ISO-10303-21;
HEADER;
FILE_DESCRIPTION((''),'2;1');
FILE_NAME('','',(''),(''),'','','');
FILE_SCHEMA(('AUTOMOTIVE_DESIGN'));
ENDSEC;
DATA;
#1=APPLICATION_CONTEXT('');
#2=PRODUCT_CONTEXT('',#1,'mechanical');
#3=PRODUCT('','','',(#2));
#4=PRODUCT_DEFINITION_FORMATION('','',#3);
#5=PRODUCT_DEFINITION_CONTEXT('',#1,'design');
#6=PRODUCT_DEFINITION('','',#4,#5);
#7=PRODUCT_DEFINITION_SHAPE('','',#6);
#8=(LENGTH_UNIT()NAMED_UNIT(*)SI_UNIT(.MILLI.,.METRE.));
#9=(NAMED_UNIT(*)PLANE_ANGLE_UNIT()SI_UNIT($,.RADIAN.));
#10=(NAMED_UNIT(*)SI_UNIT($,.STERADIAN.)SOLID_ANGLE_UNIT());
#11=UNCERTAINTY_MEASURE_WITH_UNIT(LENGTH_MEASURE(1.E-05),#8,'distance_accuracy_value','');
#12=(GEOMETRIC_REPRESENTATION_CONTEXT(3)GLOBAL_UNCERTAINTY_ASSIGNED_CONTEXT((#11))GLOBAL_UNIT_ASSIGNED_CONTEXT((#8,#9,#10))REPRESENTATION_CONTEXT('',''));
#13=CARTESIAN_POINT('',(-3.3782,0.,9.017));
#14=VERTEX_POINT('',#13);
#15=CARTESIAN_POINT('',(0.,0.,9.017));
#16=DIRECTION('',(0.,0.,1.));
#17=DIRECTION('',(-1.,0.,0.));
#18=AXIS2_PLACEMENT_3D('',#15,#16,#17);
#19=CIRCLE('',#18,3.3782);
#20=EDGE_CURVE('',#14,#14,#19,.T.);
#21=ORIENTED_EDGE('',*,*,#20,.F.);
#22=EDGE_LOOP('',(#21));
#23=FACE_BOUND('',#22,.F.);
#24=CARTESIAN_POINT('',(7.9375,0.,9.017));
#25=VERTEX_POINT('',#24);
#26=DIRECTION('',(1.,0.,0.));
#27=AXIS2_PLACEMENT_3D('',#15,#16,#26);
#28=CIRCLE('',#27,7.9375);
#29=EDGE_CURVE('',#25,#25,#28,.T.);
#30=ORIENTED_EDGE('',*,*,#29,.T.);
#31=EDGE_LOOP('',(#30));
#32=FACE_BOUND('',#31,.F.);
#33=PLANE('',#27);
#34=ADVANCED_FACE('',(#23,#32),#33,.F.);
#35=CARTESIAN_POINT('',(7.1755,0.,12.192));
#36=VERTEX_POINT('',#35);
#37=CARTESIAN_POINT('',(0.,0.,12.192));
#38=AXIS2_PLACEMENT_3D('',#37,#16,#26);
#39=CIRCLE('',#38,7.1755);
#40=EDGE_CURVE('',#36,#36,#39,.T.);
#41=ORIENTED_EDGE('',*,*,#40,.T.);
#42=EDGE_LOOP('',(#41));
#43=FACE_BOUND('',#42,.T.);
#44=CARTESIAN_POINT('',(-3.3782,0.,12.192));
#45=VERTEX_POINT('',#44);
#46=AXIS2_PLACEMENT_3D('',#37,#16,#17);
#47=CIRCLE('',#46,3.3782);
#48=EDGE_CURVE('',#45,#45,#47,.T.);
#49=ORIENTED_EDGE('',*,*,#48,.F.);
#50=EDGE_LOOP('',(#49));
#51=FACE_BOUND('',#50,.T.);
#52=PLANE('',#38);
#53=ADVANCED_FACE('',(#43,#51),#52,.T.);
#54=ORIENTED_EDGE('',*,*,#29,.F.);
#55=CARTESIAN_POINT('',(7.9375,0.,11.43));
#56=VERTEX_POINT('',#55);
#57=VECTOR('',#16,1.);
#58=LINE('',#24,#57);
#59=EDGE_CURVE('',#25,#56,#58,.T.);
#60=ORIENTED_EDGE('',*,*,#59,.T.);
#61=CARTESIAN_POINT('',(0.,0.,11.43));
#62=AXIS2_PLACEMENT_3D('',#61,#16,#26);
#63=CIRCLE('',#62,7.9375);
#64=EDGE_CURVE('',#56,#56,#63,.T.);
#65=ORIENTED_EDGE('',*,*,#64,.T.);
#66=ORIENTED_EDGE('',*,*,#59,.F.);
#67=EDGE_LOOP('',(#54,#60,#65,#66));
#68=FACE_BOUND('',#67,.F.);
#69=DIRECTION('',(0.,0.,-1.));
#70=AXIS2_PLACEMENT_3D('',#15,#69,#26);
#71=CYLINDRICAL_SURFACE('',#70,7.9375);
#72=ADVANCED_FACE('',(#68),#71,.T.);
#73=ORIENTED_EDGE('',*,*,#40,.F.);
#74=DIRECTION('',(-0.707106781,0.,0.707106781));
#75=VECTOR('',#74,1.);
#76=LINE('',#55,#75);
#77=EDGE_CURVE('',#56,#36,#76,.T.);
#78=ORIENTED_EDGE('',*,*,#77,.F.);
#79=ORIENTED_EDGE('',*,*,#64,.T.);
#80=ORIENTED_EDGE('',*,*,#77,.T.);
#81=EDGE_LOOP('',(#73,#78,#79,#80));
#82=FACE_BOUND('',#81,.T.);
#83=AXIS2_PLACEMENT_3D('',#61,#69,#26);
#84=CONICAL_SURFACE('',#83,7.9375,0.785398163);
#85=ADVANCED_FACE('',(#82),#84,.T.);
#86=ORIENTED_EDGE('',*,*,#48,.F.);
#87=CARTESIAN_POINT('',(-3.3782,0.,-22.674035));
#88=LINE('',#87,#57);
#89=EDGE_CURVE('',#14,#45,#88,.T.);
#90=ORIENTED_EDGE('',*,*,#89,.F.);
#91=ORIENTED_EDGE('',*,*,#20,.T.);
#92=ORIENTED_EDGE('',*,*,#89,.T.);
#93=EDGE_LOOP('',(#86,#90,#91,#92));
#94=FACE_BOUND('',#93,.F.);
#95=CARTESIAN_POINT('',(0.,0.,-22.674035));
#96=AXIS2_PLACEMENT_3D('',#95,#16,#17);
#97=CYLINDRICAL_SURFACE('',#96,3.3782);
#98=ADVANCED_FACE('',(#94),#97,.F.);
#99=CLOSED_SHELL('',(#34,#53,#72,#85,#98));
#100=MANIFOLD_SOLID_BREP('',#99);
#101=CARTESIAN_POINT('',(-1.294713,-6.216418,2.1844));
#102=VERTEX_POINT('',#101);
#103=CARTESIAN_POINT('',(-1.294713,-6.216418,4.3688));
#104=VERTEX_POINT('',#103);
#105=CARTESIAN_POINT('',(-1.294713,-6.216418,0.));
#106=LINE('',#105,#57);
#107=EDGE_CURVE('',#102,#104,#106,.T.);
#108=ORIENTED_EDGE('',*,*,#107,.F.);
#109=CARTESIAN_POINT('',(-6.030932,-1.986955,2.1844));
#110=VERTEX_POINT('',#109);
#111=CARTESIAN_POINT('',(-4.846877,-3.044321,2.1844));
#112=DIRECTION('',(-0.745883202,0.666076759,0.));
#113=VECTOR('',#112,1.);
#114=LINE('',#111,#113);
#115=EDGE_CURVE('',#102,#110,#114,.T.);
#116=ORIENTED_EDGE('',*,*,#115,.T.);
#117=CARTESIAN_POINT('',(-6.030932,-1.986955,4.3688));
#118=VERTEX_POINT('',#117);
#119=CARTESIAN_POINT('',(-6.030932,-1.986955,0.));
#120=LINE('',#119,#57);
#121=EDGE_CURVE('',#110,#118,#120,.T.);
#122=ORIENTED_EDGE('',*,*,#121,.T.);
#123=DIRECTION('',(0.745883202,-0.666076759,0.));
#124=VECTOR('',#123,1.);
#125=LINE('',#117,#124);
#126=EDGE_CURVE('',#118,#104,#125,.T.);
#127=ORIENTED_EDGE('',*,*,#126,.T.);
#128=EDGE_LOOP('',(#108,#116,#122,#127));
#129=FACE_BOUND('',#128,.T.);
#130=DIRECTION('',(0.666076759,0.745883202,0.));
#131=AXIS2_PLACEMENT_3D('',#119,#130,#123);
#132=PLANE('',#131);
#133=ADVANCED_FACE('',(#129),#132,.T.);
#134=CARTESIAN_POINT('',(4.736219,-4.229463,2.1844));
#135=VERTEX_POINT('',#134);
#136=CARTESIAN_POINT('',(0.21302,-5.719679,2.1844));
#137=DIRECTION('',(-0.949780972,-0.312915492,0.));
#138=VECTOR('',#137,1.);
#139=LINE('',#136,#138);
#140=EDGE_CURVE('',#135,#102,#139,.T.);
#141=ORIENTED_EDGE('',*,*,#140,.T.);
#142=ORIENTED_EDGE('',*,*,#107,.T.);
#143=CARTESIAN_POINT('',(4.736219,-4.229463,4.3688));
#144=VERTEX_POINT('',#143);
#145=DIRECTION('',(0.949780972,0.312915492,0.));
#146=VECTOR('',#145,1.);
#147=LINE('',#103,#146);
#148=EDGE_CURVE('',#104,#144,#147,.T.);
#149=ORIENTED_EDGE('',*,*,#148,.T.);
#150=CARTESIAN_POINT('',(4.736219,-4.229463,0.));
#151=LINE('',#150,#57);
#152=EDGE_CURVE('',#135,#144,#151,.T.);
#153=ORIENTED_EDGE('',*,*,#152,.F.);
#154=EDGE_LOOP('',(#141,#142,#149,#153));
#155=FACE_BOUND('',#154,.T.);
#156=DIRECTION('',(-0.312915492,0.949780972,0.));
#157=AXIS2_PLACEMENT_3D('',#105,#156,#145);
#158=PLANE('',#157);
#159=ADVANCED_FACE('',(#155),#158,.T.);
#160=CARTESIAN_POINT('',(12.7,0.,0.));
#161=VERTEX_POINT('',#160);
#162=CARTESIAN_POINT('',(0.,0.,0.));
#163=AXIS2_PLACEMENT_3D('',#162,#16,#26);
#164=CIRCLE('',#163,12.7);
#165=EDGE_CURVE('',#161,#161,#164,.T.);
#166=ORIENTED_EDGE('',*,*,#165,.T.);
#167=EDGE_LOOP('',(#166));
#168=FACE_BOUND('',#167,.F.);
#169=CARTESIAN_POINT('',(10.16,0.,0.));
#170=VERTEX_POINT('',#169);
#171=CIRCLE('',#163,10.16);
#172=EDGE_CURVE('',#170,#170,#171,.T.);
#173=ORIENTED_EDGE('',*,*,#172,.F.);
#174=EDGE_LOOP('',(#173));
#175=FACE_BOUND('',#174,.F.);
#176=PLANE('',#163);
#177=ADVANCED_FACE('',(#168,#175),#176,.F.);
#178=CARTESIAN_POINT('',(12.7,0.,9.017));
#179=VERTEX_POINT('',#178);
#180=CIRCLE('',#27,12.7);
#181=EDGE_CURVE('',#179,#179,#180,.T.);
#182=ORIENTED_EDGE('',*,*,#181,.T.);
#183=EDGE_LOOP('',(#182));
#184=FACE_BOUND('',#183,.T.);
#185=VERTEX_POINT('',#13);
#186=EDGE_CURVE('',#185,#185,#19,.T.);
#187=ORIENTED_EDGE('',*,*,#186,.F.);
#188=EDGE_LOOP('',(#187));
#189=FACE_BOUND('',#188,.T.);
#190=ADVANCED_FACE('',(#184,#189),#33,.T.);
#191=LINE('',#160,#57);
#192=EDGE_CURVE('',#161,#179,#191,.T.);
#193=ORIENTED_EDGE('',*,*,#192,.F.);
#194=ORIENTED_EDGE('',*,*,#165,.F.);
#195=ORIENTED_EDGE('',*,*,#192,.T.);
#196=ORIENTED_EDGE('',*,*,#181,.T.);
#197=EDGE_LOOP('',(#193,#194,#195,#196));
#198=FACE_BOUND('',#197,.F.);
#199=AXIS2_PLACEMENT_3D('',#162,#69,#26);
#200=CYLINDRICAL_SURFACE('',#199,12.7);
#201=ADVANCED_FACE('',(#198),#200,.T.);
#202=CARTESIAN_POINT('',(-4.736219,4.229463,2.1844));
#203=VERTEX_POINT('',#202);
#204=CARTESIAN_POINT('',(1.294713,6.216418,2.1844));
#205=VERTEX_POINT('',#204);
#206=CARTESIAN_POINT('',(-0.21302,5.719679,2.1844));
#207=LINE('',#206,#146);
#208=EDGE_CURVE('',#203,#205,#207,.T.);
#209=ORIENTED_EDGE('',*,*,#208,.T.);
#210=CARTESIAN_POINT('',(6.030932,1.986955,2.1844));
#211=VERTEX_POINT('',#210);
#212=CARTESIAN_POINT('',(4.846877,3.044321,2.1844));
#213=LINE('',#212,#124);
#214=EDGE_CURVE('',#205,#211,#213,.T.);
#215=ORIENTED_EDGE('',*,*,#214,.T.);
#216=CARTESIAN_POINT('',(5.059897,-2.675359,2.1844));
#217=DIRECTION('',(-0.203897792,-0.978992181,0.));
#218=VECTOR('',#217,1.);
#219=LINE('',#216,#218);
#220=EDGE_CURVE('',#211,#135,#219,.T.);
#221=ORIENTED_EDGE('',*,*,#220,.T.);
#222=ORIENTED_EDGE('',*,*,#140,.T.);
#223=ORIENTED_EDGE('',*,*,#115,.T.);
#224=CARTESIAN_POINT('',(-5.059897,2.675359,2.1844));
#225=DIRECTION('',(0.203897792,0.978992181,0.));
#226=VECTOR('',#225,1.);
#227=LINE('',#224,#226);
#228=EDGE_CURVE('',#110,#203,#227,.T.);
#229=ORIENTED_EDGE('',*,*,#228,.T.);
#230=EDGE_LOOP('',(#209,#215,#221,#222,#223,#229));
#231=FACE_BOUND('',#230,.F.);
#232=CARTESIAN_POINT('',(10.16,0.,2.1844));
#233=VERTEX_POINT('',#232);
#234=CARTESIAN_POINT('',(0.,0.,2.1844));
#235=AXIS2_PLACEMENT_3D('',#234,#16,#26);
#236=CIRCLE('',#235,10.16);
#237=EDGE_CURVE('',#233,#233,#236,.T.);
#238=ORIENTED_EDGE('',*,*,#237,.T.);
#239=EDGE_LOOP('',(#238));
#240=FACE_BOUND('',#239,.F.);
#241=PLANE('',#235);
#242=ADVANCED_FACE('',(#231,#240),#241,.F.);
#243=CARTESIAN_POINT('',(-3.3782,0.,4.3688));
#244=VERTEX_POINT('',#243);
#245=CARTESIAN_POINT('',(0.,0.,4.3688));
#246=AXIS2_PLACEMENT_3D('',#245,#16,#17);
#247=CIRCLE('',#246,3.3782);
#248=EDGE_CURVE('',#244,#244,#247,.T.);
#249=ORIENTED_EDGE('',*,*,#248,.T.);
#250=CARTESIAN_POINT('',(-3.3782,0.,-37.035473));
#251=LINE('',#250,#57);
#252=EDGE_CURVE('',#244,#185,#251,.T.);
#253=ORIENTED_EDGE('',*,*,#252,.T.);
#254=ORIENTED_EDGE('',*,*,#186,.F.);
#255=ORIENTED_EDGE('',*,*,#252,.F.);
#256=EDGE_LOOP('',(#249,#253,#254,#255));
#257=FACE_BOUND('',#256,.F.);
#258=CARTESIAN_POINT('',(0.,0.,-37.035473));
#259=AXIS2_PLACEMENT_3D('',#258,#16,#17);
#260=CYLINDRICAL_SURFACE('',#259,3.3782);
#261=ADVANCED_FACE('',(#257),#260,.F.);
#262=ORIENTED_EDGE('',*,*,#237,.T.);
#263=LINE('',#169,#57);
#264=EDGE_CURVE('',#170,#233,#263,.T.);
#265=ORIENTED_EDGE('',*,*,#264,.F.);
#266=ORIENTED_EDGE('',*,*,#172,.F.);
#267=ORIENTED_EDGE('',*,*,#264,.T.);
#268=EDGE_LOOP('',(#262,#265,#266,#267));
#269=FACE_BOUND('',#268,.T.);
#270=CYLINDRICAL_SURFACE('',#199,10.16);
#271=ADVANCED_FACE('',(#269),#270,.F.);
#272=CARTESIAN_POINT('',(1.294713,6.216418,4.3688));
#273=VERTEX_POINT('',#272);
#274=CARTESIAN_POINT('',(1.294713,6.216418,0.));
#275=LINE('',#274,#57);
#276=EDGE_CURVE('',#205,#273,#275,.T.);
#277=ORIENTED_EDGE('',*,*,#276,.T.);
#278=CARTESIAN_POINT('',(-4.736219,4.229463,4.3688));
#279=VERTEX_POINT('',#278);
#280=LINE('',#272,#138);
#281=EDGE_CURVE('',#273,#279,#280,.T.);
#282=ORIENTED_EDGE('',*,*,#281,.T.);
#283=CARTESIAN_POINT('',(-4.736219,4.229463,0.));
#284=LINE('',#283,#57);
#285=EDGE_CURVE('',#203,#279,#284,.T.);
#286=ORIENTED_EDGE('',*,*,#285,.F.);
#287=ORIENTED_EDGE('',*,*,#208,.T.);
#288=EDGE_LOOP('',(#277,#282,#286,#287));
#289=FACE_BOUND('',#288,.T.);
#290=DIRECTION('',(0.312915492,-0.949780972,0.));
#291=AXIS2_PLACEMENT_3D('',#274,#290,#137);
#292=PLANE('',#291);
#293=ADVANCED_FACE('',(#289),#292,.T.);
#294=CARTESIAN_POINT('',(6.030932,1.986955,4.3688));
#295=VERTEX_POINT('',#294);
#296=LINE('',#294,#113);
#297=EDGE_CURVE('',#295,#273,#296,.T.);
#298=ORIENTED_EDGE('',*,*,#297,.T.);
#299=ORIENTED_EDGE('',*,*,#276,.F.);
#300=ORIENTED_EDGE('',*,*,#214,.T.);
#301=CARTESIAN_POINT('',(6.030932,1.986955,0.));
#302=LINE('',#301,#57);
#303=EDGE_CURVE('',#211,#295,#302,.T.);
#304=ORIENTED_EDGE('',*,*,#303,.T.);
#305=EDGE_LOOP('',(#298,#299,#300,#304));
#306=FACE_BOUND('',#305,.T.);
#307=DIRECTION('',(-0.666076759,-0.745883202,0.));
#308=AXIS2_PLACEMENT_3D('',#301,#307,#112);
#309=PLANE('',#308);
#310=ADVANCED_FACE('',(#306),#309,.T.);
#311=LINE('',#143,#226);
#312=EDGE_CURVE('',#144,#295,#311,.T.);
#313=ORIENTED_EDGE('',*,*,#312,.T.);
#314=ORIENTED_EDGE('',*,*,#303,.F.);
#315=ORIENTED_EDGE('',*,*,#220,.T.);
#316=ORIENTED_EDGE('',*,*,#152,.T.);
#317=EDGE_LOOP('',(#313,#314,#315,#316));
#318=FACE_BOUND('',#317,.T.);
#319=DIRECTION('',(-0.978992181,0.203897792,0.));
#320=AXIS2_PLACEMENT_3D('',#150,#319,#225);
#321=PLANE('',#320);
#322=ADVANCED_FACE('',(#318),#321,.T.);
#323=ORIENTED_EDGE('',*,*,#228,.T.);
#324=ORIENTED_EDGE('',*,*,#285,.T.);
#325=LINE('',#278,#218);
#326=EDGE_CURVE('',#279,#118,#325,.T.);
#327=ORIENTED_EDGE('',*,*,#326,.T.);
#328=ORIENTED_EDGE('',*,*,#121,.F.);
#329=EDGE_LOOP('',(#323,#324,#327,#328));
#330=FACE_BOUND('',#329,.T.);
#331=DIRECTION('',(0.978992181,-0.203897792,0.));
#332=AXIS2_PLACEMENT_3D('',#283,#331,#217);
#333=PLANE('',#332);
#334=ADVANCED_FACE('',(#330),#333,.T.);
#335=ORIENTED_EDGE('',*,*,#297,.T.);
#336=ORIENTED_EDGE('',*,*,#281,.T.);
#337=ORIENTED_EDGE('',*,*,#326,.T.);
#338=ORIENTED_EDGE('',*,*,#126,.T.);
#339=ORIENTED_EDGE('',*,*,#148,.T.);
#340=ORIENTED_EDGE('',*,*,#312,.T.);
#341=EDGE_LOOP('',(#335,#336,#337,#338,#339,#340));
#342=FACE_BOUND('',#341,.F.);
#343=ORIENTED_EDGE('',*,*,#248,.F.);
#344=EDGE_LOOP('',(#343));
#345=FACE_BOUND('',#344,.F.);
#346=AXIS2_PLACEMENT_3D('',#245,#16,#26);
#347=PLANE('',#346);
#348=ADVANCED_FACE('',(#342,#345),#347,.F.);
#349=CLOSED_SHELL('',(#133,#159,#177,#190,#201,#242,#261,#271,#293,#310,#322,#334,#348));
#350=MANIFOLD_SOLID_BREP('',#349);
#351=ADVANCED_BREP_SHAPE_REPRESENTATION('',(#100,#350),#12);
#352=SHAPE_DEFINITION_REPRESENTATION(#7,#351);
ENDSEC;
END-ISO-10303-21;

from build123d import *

# Parameters (mm, degrees)
F0_R     = 12.7
F1_DEPTH = 9.017
F2_R     = 7.9375
F3_DEPTH = 3.175
F4_SIZE  = 0.762
F5_R     = 10.16
F6_DEPTH = 2.1844
F8_DEPTH = 4.3688
F9_D     = 6.7564
F9_2_D   = 6.7564


with BuildPart() as f1:
    # F0 (on Top) → F1 (new body)
    with BuildSketch(Plane.XY):
        Circle(F0_R)
    extrude(amount=F1_DEPTH)

    # F5 (on face) → F6 (cut)
    with BuildSketch(Plane.XY):
        Circle(F5_R)
    extrude(amount=F6_DEPTH, mode=Mode.SUBTRACT)

    # F7 (on face) → F8 (cut)
    with BuildSketch(Plane.XY):
        Polygon((6.030932, 1.986955), (1.294713, 6.216418), (-4.736219, 4.229463), (-6.030932, -1.986955), (-1.294713, -6.216418), (4.736219, -4.229463), align=None)
    extrude(amount=F8_DEPTH, mode=Mode.SUBTRACT)

    # F9 (through all)
    with Locations(Plane(origin=(0, 0, 0), x_dir=(1, 0, 0), z_dir=(0, 0, -1))):
        with Locations((0, 0)):
            Hole(F9_D / 2)


with BuildPart() as f3:
    # F2 (on face) → F3 (new body)
    with BuildSketch(Plane.XY.offset(9.017)):
        Circle(F2_R)
    extrude(amount=F3_DEPTH)

    # F4
    f4_edges = [f3.edges().sort_by_distance(p)[0] for p in [
        (-7.9375, 0, 12.192),
    ]]
    chamfer(f4_edges, length=F4_SIZE)

    # F9#2 (through all)
    with Locations(Plane(origin=(0, 0, 0), x_dir=(1, 0, 0), z_dir=(0, 0, -1))):
        with Locations((0, 0)):
            Hole(F9_2_D / 2)


solid = Compound([f1.part, f3.part])
